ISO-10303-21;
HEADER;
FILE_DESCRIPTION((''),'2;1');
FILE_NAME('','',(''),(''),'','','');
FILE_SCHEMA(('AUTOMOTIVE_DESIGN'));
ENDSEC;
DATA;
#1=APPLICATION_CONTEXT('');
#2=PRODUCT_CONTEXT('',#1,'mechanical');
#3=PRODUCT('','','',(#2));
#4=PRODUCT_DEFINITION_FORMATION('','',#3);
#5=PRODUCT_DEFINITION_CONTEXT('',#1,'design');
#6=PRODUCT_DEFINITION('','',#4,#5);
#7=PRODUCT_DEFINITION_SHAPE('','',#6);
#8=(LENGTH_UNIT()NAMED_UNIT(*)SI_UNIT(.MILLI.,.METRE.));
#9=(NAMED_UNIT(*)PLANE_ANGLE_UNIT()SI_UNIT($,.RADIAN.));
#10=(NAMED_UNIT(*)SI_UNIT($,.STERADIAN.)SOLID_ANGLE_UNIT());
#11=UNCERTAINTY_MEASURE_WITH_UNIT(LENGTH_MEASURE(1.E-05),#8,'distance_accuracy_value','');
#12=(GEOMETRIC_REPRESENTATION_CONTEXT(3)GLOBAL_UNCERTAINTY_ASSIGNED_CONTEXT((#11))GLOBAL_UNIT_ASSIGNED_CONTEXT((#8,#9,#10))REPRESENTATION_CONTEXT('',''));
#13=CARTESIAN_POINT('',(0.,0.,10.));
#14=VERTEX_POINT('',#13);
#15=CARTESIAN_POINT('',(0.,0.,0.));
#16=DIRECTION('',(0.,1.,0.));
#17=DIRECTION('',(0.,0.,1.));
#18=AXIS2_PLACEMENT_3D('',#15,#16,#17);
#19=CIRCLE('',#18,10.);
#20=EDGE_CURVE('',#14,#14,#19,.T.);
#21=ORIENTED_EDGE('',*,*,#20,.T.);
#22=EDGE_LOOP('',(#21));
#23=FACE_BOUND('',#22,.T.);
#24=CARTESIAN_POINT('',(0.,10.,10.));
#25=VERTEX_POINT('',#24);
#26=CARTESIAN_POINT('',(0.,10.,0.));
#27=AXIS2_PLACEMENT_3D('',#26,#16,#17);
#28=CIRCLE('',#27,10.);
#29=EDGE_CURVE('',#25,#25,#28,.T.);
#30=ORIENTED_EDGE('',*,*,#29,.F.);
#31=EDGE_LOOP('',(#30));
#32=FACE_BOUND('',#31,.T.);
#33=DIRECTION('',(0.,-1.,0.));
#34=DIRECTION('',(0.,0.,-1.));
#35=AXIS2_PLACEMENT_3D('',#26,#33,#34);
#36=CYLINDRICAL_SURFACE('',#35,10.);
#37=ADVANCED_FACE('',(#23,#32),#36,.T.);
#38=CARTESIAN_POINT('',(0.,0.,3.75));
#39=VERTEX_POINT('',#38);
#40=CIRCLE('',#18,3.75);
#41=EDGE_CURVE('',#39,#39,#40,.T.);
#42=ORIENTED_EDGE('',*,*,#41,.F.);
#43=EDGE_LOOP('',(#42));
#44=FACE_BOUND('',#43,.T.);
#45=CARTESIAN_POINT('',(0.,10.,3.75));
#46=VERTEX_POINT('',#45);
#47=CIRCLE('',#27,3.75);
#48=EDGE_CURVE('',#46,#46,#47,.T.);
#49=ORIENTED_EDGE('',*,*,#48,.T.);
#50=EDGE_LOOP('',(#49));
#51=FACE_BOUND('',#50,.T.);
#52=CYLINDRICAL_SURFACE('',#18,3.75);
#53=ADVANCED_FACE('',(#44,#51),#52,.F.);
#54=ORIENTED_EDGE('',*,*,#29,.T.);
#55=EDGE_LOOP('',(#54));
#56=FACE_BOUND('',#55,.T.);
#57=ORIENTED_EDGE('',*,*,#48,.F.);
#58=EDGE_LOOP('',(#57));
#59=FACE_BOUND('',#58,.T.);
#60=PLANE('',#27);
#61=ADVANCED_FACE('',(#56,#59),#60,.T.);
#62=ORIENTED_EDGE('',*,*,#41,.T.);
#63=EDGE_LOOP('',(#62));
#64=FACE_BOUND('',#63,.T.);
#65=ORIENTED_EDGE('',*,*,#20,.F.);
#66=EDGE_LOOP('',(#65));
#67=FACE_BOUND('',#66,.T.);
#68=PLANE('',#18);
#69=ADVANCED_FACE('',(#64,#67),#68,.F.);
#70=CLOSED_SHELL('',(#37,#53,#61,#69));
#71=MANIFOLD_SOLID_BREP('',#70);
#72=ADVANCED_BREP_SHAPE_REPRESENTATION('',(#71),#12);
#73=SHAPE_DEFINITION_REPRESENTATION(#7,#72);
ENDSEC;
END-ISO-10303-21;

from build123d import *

# Parameters (mm, degrees)
SKETCH1_R               = 10
BOSS_EXTRUDE1_DEPTH     = 10
SKETCH2_R               = 3.75
CUT_EXTRUDE1_DEPTH      = 1
CUT_EXTRUDE1_DEPTH_BACK = 11


with BuildPart() as part:
    # Sketch1 → Boss-Extrude1 (new body)
    with BuildSketch(Plane(origin=(0, 0, 0), x_dir=(1, 0, 0), z_dir=(0, 1, 0))):
        Circle(SKETCH1_R)
    extrude(amount=BOSS_EXTRUDE1_DEPTH)

    # Sketch2 → Cut-Extrude1 (cut, two sides)
    with BuildSketch(Plane(origin=(0, 10, 0), x_dir=(1, 0, 0), z_dir=(0, 1, 0))) as cut_extrude1_sk:
        Circle(SKETCH2_R)
    extrude(amount=CUT_EXTRUDE1_DEPTH, mode=Mode.SUBTRACT)
    extrude(cut_extrude1_sk.sketch, amount=-CUT_EXTRUDE1_DEPTH_BACK, mode=Mode.SUBTRACT)


solid = part.part
